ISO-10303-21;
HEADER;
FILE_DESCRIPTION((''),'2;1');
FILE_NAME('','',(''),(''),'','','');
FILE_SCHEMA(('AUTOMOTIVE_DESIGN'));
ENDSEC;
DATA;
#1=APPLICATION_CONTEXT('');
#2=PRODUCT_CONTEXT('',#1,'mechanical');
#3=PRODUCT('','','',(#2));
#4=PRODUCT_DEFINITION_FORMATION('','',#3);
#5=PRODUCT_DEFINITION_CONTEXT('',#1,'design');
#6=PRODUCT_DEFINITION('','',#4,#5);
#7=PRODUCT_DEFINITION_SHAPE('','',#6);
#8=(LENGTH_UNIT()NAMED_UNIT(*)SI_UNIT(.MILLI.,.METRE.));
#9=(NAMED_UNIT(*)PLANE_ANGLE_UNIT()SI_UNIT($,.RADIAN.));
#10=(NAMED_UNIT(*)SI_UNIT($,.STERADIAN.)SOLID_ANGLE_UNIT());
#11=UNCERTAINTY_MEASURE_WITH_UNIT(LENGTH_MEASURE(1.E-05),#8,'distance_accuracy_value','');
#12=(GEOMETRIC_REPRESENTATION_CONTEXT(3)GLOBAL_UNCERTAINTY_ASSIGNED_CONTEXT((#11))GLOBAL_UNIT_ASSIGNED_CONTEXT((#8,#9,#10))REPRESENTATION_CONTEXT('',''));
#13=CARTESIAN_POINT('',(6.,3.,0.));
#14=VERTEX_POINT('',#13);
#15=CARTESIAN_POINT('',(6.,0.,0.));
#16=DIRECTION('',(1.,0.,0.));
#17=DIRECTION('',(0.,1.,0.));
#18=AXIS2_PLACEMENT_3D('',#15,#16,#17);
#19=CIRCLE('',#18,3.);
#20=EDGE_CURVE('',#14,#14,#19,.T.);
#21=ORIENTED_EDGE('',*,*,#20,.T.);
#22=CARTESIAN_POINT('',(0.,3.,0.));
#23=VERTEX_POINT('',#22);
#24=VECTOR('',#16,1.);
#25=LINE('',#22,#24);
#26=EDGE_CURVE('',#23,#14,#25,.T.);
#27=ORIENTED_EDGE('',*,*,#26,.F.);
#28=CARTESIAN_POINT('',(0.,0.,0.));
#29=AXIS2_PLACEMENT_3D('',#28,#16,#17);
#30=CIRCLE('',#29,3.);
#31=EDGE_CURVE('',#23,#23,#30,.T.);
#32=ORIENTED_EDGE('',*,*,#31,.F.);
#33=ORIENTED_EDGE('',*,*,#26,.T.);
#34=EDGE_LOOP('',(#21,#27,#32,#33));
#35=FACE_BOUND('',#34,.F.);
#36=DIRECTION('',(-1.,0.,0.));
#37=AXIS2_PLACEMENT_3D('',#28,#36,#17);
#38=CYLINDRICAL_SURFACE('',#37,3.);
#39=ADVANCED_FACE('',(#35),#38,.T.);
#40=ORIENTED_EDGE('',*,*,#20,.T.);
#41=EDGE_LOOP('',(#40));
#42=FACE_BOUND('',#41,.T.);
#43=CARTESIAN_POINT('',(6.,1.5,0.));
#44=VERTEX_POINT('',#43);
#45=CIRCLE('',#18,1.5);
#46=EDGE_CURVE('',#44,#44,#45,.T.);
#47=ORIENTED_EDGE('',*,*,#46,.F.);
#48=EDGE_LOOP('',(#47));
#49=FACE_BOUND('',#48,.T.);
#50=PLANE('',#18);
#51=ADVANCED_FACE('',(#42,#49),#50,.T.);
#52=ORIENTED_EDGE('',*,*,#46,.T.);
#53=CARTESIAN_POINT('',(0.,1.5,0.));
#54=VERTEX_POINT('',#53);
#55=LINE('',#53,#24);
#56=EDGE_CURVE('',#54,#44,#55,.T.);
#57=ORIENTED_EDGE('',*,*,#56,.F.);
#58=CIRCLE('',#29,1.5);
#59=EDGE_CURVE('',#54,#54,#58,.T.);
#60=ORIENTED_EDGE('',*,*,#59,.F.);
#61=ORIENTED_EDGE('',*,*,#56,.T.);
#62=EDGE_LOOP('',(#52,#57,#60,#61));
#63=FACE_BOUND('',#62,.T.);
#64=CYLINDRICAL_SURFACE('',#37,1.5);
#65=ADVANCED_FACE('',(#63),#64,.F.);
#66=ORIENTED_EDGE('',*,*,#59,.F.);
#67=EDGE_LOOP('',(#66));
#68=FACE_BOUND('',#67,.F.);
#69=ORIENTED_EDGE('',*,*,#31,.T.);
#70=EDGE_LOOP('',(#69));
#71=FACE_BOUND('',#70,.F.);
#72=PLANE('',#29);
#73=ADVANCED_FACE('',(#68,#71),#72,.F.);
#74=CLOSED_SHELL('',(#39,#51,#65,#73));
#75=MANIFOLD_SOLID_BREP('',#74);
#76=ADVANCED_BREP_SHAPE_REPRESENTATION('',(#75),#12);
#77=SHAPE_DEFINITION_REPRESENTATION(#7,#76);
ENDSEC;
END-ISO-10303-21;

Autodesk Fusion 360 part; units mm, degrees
sketch "草图1" plane through (0, 0, 0) normal (1, 0, 0) x (0, 1, 0)
  circle A0 centre (0, 0) radius 1.5
  circle A1 centre (0, 0) radius 3
  dimension "d1" = 3
  dimension "d2" = 6
extrude "拉伸1" add sketch "草图1" along normal blind 6
